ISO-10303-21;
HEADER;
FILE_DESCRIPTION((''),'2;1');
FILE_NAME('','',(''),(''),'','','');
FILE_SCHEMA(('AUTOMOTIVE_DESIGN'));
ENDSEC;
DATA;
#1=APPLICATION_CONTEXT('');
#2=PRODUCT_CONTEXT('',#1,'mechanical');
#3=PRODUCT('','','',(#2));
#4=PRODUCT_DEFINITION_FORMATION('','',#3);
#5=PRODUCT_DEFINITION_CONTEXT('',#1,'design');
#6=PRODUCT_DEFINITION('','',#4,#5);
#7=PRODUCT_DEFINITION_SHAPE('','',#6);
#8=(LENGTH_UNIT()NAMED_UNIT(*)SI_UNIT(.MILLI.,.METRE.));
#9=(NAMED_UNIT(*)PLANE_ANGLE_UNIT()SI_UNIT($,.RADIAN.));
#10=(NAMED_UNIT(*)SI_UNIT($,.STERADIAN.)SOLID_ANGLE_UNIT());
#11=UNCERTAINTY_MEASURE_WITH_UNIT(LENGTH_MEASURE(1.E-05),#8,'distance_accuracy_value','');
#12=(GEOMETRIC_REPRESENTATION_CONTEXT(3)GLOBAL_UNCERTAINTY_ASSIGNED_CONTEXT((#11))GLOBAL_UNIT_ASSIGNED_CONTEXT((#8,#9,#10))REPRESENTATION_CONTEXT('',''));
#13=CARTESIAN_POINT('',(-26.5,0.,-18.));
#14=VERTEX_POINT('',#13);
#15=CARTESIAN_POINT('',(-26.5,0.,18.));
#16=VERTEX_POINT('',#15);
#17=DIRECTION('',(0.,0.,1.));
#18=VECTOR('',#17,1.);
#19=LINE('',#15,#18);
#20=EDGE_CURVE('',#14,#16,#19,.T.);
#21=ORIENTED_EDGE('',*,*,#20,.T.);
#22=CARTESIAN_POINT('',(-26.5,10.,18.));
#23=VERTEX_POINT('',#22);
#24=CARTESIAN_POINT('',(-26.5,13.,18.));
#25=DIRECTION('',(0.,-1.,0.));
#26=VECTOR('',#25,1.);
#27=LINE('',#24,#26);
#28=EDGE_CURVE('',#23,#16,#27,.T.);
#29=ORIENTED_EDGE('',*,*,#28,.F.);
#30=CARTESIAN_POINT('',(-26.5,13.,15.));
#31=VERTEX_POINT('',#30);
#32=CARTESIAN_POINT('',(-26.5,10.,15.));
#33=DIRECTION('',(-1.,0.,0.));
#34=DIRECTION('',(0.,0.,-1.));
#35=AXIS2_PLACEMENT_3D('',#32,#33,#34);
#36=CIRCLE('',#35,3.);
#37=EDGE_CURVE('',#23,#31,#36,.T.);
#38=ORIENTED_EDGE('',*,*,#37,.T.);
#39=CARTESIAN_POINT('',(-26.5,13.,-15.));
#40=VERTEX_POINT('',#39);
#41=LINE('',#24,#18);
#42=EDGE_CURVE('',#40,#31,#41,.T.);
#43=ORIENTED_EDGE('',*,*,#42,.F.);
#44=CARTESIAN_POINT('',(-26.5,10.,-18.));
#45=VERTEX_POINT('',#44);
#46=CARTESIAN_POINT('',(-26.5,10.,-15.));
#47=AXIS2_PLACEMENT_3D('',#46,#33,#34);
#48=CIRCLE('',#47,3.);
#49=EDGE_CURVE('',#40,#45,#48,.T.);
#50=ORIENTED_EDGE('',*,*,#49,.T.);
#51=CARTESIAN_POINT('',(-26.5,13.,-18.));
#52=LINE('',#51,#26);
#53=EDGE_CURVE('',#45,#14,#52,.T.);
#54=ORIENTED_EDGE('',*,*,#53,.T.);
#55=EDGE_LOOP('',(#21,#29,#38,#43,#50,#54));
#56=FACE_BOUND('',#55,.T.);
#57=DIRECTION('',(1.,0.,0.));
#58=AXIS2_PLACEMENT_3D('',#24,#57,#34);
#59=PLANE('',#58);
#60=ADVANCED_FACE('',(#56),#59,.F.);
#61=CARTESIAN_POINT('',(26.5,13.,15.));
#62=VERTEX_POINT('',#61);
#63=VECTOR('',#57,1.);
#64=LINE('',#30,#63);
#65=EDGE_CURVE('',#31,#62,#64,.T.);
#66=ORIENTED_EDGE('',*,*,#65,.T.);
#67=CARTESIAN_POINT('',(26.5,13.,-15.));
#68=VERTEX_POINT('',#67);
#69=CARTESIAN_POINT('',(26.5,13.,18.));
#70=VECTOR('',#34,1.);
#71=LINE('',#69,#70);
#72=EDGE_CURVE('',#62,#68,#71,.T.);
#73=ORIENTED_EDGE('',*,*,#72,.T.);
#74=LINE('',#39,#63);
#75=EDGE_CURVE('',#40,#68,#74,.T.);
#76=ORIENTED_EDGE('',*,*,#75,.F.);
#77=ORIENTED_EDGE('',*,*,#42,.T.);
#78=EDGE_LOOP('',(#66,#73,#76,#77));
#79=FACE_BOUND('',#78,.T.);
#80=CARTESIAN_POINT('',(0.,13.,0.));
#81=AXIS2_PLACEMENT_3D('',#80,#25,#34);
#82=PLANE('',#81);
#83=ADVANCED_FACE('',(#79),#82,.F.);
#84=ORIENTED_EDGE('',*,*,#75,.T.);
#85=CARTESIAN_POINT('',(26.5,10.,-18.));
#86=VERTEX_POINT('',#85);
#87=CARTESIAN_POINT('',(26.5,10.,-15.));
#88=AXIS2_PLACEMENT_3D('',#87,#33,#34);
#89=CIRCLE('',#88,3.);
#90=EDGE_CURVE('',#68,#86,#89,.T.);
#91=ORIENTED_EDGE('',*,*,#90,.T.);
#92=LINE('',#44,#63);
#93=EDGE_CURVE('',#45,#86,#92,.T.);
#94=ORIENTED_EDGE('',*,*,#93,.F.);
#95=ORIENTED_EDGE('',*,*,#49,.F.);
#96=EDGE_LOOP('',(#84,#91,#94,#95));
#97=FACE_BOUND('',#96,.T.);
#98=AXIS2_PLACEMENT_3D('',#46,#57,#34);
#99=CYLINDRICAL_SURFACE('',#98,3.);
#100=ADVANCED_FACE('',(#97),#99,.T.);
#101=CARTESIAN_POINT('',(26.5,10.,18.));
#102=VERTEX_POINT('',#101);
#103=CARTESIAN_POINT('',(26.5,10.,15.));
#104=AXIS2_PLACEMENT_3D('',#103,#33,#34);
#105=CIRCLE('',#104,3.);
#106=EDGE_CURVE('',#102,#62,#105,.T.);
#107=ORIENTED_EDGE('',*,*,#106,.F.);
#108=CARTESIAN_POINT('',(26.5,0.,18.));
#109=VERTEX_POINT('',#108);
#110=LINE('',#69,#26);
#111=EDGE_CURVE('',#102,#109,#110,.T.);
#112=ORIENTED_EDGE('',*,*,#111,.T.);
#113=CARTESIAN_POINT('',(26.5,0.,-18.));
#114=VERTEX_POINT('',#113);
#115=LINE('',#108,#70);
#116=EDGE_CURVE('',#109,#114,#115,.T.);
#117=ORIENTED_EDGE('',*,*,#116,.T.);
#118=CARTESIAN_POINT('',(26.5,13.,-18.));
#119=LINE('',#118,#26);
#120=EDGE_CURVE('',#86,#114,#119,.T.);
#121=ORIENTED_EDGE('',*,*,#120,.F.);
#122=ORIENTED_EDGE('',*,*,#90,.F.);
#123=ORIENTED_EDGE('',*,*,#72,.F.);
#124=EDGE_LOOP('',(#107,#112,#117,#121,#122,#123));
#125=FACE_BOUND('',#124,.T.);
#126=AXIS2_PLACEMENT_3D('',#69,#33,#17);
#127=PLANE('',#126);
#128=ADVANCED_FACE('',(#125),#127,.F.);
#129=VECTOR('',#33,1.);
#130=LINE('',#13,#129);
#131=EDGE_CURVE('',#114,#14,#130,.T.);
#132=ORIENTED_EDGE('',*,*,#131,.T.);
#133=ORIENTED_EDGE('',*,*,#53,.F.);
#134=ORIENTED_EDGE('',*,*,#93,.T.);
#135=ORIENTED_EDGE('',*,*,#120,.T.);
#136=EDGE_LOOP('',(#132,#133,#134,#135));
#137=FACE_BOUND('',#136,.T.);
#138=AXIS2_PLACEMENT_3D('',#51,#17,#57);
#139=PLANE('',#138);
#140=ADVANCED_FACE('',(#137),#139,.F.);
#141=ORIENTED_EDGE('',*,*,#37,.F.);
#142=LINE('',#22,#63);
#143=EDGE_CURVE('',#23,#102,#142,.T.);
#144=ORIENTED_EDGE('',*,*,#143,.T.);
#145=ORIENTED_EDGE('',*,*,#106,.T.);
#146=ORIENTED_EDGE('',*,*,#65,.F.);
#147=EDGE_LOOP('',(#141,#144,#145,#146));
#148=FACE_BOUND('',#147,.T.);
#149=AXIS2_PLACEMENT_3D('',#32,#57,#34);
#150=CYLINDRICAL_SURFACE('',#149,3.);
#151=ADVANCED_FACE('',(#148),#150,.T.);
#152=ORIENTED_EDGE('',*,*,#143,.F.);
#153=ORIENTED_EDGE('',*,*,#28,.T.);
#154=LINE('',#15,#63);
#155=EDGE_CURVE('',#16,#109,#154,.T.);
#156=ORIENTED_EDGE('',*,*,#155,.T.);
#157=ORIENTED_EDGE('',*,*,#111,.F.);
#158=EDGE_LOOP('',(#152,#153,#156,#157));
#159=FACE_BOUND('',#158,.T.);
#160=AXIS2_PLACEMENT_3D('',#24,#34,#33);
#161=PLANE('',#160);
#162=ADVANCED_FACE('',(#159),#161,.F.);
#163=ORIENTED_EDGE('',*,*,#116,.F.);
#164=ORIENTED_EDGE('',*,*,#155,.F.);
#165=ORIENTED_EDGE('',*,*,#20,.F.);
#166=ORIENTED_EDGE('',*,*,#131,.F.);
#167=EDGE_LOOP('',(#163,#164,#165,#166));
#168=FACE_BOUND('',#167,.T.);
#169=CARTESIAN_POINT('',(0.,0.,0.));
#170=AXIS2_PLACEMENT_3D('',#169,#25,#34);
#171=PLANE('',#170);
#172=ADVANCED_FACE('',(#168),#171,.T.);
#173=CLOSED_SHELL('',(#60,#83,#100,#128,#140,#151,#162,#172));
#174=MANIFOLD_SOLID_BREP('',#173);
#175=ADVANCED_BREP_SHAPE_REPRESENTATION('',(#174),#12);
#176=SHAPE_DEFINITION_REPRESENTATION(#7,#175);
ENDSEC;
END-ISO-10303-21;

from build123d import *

# Parameters (mm, degrees)
SKETCH1_W           = 53
SKETCH1_H           = 36
BOSS_EXTRUDE1_DEPTH = 13
CUT_EXTRUDE1_DEPTH  = 54


with BuildPart() as part:
    # Sketch1 → Boss-Extrude1 (new body)
    with BuildSketch(Plane(origin=(0, 0, 0), x_dir=(1, 0, 0), z_dir=(0, 1, 0))):
        Rectangle(SKETCH1_W, SKETCH1_H)
    extrude(amount=BOSS_EXTRUDE1_DEPTH)

    # Sketch2 → Cut-Extrude1 (cut, through all)
    with BuildSketch(Plane(origin=(26.5, 0, 0), x_dir=(0, 0, -1), z_dir=(1, 0, 0))):
        with BuildLine():
            Line((-18, 13), (-15, 13))
            ThreePointArc((-15, 13), (-17.121320344, 12.121320344), (-18, 10))
            Line((-18, 10), (-18, 13))
        make_face()
        with BuildLine():
            Line((15, 13), (18, 13))
            Line((18, 13), (18, 10))
            ThreePointArc((18, 10), (17.121320344, 12.121320344), (15, 13))
        make_face()
    extrude(amount=-CUT_EXTRUDE1_DEPTH, mode=Mode.SUBTRACT)


solid = part.part
